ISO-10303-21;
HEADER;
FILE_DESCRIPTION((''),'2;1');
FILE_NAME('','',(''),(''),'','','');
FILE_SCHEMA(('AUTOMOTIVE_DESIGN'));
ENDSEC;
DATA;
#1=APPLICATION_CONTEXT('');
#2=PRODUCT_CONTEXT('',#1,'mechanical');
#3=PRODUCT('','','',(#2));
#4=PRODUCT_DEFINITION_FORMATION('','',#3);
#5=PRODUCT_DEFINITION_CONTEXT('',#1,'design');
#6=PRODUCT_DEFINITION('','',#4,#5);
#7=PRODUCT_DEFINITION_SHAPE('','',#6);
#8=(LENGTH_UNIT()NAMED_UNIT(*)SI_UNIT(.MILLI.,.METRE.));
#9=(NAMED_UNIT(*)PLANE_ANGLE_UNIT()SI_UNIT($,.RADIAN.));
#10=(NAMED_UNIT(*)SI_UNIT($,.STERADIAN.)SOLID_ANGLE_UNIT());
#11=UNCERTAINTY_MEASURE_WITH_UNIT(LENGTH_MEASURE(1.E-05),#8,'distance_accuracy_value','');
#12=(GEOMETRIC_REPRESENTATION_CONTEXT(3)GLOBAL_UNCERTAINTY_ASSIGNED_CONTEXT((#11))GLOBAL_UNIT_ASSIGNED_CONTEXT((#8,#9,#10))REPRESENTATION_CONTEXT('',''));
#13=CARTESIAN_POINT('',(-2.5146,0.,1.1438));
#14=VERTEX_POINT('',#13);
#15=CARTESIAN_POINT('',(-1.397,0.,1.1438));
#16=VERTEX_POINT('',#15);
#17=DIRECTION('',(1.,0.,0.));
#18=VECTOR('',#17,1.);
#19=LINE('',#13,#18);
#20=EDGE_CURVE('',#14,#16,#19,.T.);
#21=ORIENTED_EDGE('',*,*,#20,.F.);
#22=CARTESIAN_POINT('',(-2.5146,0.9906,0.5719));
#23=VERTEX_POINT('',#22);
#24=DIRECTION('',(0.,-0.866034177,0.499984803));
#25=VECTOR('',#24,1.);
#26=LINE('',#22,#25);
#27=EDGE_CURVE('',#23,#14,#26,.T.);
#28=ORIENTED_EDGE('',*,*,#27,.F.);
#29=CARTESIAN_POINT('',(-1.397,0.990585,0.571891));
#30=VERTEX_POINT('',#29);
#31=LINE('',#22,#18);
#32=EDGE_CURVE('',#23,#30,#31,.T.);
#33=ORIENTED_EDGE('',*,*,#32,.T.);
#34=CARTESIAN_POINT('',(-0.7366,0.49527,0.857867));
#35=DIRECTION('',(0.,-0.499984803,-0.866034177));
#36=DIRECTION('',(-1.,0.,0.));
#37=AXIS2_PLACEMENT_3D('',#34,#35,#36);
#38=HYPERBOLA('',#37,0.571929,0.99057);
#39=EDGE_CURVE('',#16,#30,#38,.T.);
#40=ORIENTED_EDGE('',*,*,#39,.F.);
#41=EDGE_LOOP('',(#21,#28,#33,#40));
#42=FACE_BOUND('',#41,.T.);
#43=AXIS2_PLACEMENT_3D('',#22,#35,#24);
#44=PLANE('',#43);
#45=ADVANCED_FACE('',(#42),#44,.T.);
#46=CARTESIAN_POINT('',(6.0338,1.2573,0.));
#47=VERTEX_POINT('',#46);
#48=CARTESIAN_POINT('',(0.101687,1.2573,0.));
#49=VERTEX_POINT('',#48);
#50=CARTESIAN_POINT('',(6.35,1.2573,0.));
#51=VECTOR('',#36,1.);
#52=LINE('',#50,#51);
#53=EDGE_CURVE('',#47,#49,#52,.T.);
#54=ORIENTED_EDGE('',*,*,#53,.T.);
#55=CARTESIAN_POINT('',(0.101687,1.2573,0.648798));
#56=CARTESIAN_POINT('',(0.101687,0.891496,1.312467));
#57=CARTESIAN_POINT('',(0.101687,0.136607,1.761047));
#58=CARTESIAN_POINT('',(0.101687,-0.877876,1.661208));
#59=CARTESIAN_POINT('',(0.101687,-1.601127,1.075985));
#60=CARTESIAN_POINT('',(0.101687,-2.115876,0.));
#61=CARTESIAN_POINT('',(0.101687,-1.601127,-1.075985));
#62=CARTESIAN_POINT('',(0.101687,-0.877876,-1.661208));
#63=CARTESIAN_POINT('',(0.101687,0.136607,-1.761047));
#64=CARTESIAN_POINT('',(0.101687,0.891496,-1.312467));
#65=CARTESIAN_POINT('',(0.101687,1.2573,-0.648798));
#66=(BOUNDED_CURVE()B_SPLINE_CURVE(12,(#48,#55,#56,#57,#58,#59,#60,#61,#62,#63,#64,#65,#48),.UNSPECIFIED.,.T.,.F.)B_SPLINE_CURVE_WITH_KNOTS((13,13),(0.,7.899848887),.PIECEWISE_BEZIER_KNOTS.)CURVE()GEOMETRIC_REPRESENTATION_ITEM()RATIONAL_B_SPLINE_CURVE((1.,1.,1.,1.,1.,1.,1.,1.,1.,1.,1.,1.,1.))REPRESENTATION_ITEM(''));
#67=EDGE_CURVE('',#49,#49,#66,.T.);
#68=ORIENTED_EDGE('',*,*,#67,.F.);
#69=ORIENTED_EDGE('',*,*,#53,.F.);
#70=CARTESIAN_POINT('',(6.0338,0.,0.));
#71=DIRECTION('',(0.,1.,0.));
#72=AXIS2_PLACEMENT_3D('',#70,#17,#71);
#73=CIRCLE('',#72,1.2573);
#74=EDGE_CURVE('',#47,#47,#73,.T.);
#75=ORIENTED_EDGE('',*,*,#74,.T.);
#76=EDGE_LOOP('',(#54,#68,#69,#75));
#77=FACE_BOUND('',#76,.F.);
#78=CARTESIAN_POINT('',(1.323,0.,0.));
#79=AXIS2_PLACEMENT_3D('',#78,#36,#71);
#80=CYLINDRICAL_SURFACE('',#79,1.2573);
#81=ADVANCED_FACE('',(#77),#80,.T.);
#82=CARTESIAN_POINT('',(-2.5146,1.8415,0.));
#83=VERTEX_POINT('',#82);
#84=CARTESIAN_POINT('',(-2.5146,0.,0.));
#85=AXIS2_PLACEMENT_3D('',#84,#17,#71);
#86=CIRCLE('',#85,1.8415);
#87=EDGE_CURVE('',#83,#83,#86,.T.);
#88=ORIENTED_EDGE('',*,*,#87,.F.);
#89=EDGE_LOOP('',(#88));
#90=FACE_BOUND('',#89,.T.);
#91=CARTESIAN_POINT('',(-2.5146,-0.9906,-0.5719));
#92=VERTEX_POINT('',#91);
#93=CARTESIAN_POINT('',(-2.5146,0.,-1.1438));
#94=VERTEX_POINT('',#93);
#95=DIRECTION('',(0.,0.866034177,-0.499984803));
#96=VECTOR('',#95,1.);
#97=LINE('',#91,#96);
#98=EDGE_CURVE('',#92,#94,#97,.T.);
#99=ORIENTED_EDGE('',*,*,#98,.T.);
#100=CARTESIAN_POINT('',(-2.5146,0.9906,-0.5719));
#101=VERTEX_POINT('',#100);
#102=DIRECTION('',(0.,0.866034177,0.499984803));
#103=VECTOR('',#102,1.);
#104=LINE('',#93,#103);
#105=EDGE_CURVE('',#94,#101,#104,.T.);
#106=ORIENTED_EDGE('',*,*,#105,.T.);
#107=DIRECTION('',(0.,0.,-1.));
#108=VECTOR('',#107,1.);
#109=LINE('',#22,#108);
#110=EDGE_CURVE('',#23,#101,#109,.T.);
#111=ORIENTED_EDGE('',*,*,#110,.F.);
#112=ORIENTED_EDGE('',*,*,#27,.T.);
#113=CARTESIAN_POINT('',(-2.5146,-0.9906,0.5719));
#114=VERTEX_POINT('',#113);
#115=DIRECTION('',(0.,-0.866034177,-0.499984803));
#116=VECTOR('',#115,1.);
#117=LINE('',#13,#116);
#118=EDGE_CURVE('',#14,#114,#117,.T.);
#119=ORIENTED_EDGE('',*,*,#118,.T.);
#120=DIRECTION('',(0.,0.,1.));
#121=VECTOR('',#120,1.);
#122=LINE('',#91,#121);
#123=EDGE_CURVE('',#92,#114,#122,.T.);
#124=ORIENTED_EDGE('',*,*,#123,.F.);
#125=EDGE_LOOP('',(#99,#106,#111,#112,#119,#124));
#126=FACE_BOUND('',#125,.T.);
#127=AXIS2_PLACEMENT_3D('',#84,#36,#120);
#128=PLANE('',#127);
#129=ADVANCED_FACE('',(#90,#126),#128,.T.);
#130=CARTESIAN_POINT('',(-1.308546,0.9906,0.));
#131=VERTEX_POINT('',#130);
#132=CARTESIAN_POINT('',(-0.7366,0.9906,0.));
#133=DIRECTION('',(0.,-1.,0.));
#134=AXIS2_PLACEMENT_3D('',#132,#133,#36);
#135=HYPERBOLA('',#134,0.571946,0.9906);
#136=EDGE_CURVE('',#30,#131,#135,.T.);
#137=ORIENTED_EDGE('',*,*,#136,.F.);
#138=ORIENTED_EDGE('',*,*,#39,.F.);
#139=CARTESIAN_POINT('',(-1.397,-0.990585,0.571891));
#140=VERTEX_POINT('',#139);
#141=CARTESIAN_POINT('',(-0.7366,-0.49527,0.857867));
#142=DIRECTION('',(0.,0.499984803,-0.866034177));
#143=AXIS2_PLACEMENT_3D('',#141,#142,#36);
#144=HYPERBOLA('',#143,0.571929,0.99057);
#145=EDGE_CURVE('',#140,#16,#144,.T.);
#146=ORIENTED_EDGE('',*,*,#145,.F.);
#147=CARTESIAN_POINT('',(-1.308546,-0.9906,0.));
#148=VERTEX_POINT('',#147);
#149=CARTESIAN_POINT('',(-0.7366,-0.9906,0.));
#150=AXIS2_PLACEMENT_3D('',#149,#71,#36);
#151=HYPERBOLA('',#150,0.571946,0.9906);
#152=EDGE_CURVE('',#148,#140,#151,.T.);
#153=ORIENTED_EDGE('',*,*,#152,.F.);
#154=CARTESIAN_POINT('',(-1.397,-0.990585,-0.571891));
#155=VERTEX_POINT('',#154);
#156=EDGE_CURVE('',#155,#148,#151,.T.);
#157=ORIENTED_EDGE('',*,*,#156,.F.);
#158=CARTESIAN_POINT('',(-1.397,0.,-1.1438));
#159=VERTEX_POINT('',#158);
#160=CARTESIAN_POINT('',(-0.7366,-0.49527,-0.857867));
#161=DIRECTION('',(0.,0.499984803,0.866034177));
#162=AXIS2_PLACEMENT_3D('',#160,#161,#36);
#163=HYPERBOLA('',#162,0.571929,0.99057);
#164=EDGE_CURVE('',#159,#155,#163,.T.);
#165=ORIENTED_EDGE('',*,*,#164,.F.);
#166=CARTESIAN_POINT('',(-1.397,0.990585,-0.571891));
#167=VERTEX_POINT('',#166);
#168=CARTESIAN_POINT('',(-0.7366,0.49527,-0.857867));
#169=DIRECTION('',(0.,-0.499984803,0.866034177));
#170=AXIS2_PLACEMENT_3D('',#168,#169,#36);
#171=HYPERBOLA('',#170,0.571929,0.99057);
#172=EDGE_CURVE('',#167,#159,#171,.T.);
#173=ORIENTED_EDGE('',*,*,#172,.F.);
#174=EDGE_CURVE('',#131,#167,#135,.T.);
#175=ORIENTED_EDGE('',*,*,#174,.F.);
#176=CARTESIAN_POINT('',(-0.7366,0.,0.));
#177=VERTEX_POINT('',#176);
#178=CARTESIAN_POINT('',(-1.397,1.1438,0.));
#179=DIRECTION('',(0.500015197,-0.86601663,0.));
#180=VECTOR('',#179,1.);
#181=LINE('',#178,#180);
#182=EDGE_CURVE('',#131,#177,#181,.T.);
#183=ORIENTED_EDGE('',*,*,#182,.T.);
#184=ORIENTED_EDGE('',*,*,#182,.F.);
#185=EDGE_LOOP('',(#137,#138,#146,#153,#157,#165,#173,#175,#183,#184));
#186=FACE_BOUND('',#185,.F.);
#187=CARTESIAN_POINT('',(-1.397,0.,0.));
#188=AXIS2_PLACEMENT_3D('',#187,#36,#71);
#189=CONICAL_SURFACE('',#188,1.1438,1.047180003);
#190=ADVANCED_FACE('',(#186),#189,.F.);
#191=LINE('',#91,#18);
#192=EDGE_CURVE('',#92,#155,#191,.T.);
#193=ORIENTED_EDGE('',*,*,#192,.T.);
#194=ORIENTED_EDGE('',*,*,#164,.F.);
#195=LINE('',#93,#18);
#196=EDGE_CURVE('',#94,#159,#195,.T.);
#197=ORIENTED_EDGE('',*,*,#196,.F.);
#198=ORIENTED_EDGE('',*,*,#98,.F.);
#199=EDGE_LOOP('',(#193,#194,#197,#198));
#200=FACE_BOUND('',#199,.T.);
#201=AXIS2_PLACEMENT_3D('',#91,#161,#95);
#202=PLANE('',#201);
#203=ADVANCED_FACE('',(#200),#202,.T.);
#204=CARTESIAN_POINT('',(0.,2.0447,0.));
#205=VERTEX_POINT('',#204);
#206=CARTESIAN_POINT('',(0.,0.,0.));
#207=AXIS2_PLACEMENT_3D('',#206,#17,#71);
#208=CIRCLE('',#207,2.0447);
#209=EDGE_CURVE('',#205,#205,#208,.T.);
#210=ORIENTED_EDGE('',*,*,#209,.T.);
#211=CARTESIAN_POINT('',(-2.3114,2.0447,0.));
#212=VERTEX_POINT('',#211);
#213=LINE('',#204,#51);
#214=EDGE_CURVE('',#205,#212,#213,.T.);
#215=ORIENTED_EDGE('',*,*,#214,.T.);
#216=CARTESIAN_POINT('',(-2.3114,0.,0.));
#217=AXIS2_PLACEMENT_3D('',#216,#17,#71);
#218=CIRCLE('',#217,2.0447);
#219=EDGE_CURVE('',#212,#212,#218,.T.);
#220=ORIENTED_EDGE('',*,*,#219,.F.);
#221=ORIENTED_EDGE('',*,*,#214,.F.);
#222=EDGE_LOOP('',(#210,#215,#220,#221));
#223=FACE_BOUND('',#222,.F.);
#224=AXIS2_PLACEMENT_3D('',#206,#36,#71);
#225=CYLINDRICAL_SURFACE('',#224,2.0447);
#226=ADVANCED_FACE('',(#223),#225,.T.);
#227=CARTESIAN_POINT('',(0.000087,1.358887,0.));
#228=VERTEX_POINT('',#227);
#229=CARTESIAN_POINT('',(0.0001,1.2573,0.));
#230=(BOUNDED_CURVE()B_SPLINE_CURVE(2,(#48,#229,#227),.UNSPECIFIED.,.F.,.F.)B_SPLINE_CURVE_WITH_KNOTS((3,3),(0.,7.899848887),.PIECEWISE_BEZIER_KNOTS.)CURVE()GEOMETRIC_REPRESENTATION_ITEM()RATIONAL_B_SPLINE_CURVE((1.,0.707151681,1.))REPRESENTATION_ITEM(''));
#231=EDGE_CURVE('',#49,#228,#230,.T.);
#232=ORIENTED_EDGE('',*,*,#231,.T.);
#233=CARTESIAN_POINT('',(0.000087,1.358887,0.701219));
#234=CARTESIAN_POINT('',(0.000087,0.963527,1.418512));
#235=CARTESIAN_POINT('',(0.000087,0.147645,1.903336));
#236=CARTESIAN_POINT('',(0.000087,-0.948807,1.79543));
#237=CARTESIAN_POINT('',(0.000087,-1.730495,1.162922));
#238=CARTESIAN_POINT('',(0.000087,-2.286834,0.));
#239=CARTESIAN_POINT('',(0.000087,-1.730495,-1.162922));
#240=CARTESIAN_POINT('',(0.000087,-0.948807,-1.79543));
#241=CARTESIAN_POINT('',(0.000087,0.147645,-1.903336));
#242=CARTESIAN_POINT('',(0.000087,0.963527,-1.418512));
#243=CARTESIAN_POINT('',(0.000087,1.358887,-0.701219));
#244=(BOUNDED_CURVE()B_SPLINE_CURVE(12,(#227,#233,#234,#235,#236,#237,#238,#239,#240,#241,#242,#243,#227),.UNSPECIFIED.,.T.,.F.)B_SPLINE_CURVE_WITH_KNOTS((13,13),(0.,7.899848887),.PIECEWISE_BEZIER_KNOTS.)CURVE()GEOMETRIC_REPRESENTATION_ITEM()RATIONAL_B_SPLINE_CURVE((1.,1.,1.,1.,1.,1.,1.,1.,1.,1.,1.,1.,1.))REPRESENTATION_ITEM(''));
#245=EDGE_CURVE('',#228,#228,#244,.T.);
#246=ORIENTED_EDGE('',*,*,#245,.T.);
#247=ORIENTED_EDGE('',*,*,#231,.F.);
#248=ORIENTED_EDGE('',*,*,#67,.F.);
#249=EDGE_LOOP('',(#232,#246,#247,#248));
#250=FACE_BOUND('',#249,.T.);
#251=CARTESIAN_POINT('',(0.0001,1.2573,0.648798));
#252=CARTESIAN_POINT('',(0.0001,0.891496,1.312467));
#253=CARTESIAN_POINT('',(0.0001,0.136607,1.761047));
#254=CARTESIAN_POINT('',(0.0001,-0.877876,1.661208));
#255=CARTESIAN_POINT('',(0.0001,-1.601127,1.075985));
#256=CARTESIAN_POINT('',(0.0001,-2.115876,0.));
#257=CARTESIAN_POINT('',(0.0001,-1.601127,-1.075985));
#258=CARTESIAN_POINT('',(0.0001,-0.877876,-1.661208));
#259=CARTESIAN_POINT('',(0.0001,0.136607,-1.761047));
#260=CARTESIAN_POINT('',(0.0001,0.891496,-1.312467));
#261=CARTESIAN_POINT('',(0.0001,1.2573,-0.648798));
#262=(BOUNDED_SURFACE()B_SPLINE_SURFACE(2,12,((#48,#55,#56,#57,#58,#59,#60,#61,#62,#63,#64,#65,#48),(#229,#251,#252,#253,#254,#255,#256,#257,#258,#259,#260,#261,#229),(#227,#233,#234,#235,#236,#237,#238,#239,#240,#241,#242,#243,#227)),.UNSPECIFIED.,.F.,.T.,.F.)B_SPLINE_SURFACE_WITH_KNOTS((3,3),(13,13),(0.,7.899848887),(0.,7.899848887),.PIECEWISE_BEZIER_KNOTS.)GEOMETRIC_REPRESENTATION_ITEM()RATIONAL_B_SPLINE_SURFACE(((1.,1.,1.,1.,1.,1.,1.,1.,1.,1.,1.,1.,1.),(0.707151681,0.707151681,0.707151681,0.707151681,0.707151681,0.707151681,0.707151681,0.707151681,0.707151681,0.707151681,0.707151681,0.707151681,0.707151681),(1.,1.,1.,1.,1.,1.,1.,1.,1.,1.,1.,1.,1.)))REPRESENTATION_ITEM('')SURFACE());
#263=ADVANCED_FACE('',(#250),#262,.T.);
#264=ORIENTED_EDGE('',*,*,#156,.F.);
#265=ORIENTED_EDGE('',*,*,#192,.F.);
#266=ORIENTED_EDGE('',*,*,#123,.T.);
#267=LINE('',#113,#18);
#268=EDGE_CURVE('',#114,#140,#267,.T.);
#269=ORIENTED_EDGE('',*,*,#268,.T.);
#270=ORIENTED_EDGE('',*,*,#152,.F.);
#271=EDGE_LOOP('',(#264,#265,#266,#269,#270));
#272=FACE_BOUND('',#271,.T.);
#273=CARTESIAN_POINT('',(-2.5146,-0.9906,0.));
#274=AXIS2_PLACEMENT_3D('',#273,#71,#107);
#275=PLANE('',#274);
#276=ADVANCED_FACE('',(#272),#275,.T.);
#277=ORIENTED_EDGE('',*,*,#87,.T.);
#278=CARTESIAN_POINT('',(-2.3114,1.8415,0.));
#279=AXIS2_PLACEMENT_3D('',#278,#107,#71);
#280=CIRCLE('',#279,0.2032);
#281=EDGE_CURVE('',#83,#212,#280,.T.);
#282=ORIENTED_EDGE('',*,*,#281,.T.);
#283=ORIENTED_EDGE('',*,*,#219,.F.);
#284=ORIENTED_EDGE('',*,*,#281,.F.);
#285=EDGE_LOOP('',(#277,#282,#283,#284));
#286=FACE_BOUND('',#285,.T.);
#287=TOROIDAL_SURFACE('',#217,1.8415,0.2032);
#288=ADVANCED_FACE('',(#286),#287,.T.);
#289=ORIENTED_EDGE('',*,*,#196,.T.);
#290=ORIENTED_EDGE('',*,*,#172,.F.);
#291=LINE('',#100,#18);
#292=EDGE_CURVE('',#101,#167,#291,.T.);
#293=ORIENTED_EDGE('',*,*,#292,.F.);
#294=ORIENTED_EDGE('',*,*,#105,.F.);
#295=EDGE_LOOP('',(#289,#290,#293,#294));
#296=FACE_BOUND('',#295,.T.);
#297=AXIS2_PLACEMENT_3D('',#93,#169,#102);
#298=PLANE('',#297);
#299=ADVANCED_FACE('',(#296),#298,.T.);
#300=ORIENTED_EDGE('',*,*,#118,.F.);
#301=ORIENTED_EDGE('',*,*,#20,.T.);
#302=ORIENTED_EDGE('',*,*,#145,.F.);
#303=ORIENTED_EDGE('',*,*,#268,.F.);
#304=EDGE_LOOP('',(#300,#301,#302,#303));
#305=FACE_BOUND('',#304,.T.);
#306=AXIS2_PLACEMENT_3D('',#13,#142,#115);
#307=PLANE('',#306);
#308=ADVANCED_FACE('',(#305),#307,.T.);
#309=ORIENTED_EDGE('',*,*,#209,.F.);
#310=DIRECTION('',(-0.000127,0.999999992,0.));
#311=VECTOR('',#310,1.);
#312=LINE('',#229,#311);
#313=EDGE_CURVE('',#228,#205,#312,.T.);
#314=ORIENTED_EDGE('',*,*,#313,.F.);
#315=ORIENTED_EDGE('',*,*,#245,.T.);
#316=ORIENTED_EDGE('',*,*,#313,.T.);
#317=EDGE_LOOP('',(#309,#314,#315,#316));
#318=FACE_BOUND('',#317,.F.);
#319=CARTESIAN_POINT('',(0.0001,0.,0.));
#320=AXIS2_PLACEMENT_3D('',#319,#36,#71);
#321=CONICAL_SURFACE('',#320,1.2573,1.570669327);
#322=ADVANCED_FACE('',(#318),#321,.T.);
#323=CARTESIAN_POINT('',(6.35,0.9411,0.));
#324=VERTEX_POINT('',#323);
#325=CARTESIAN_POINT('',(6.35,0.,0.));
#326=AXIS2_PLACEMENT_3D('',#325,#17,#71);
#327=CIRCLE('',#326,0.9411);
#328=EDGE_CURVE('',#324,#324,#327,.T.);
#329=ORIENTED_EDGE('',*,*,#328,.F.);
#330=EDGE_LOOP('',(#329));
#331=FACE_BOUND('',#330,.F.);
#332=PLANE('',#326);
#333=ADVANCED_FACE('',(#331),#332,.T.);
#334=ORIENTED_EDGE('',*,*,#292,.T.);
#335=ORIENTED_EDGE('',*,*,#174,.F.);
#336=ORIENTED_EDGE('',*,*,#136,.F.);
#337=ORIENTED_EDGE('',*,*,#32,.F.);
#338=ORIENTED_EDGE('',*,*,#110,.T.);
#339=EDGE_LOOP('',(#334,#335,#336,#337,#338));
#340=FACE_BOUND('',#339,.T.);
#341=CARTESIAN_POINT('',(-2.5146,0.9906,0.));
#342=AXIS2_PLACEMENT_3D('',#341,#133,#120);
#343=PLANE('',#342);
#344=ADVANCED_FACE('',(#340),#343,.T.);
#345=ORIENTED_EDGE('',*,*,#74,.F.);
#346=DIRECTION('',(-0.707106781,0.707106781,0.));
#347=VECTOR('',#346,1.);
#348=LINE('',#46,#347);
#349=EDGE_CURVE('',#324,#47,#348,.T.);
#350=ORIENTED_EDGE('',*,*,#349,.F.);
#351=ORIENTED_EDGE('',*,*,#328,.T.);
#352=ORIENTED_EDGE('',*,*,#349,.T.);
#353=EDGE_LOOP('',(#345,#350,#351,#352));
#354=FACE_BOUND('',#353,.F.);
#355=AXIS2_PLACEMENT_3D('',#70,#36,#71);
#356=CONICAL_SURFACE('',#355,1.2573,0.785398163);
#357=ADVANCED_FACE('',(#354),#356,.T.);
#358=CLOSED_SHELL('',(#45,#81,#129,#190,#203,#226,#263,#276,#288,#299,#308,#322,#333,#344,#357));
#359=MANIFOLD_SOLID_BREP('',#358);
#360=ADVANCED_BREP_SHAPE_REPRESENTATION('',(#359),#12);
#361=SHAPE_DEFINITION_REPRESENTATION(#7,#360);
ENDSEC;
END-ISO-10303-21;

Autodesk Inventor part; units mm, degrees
ref_plane "YZ Plane" through (0, 0, 0) normal (1, 0, 0) x (0, 1, 0)
ref_plane "XZ Plane" through (0, 0, 0) normal (0, 1, 0) x (-1, 0, 0)
sketch "Sketch1" plane through (0, 0, 0) normal (0, 0, 1) x (1, 0, 0)
  line L0 (-0.7366, 0) -> (6.35, 0)
  line L1 (6.35, 0) -> (6.35, 1.2573)
  line L2 (6.35, 1.2573) -> (1.323, 1.2573)
  line L3 (1.323, 1.2573) -> (0.0001, 1.2573)
  line L4 (0.0001, 1.2573) -> (0, 1.2573)
  line L5 (0, 1.2573) -> (0, 2.0447)
  line L6 (0, 2.0447) -> (-2.5146, 2.0447)
  line L7 (-2.5146, 2.0447) -> (-2.5146, 1.1438)
  line L8 (-2.5146, 1.1438) -> (-1.397, 1.1438)
  line L9 (-1.397, 1.1438) -> (-0.7366, 0)
  line L10 (-4.2875, 0) -> (8.1229, 0) projected
  line L11 (0, -0.4089) -> (0, 2.4536) projected
  line L12 (1.323, 1.2573) -> (0, 1.2573) construction
  dimension "d1" = 5.027
  dimension "d2" = 1.3229
  dimension "d3" = 2.5146
  dimension "d4" = 1.1176
  dimension "d5" = 60
  dimension "d6" = 2.5146
  dimension "d7" = 2.5146
  dimension "d8" = 2.2877
  dimension "d9" = 4.0894
  dimension "d26" = 6.35
revolve "Body" add sketch "Sketch1" angle 360 about axis through (-0.7366, 0, 0) along (1, 0, 0)
sketch "Sketch2" plane through (-2.5146, 0, 0) normal (-1, 0, 0) x (0, 0, 1)
  circle A0 centre (0, 0) radius 1.1438 projected
  line L0 (0, -2.8626) -> (0, 2.8626) projected
  line L1 (-2.8626, 0) -> (2.8626, 0) projected
  line L2 (1.1438, 0) -> (0.5719, -0.9906)
  line L3 (0.5719, -0.9906) -> (-0.5719, -0.9906)
  line L4 (-0.5719, -0.9906) -> (-1.1438, 0)
  line L5 (-1.1438, 0) -> (-0.5719, 0.9906)
  line L6 (-0.5719, 0.9906) -> (0.5719, 0.9906)
  line L7 (0.5719, 0.9906) -> (1.1438, 0)
extrude "Slot" add sketch "Sketch2" against normal up to next contours L7 A0 | A0 L2 | L6 L0 A0 | A0 L0 L3 | L0 L6 A0 | A0 L3 L0 | L4 A0 | A0 L5
fillet "Fillet1" radius 0.2032 1 edges at (-2.5146, -2.0447, 0)
thread "Thread" size "3-48 UNC" class "2A" standard "ANSI Unified Screw Threads" length 5.027
chamfer "Chamfer1" distance 0.3162 distance2 0.3162 1 edges at (6.35, -1.2573, 0) measured on face at (6.35, -0.0251, -0.483)
ref_plane "Work Plane1" through (29, 0, 0) normal (0, -1, 0) x (1, 0, 0)
fillet "Fillet2" radius 0.1016 1 edges at (0.0001, -1.2573, 0)
equation "\"d1\" = GEL"
equation "\"d3\" = KOH"
equation "\"d4\" = INTI"
equation "\"d6\" = GD"
equation "\"d7\" = BDM"
equation "\"d8\" = 1.1547 * SW"
equation "\"d9\" = KOD"
equation "\"d26\" = NLG"
equation "\"d30\" = R"
equation "\"d17\" = RR"
equation "\"d13\" = GEL"
equation "\"d15\" = -0.5 * SPD + 0.5 * GD"
equation "\"d16\" = GUL"
equation "\"GD\" = 2.5146"
equation "\"NLG\" = 6.35"
equation "\"GEL\" = 5.02697"
equation "\"KOD\" = 4.0894"
equation "\"KOH\" = 2.5146"
equation "\"INTI\" = 1.1176"
equation "\"GAL\" = 1.32283"
equation "\"GUL\" = 0.31623"
equation "\"BDM\" = 2.5146"
equation "\"SW\" = 1.9812"
equation "\"RR\" = 0.2032"
equation "\"SPD\" = 1.88214"
equation "\"R\" = 0.1016"
equation "\"PHH\" = 0.0762"
equation "\"GD1\" = SPD"
equation "\"THREADDIA\" = 2.5146"
equation "\"FAWI\" = 45deg"
equation "\"KOH1\" = 2.2606"
equation "\"NND\" = 2.5146"
equation "\"TOA\" = 30deg"
equation "\"E0\" = 1.155 * SW"
properties part number "ANSI B18.3 - No. 3 - 48 UNC - 1/4 HS HCS" material "Steel, Mild"
